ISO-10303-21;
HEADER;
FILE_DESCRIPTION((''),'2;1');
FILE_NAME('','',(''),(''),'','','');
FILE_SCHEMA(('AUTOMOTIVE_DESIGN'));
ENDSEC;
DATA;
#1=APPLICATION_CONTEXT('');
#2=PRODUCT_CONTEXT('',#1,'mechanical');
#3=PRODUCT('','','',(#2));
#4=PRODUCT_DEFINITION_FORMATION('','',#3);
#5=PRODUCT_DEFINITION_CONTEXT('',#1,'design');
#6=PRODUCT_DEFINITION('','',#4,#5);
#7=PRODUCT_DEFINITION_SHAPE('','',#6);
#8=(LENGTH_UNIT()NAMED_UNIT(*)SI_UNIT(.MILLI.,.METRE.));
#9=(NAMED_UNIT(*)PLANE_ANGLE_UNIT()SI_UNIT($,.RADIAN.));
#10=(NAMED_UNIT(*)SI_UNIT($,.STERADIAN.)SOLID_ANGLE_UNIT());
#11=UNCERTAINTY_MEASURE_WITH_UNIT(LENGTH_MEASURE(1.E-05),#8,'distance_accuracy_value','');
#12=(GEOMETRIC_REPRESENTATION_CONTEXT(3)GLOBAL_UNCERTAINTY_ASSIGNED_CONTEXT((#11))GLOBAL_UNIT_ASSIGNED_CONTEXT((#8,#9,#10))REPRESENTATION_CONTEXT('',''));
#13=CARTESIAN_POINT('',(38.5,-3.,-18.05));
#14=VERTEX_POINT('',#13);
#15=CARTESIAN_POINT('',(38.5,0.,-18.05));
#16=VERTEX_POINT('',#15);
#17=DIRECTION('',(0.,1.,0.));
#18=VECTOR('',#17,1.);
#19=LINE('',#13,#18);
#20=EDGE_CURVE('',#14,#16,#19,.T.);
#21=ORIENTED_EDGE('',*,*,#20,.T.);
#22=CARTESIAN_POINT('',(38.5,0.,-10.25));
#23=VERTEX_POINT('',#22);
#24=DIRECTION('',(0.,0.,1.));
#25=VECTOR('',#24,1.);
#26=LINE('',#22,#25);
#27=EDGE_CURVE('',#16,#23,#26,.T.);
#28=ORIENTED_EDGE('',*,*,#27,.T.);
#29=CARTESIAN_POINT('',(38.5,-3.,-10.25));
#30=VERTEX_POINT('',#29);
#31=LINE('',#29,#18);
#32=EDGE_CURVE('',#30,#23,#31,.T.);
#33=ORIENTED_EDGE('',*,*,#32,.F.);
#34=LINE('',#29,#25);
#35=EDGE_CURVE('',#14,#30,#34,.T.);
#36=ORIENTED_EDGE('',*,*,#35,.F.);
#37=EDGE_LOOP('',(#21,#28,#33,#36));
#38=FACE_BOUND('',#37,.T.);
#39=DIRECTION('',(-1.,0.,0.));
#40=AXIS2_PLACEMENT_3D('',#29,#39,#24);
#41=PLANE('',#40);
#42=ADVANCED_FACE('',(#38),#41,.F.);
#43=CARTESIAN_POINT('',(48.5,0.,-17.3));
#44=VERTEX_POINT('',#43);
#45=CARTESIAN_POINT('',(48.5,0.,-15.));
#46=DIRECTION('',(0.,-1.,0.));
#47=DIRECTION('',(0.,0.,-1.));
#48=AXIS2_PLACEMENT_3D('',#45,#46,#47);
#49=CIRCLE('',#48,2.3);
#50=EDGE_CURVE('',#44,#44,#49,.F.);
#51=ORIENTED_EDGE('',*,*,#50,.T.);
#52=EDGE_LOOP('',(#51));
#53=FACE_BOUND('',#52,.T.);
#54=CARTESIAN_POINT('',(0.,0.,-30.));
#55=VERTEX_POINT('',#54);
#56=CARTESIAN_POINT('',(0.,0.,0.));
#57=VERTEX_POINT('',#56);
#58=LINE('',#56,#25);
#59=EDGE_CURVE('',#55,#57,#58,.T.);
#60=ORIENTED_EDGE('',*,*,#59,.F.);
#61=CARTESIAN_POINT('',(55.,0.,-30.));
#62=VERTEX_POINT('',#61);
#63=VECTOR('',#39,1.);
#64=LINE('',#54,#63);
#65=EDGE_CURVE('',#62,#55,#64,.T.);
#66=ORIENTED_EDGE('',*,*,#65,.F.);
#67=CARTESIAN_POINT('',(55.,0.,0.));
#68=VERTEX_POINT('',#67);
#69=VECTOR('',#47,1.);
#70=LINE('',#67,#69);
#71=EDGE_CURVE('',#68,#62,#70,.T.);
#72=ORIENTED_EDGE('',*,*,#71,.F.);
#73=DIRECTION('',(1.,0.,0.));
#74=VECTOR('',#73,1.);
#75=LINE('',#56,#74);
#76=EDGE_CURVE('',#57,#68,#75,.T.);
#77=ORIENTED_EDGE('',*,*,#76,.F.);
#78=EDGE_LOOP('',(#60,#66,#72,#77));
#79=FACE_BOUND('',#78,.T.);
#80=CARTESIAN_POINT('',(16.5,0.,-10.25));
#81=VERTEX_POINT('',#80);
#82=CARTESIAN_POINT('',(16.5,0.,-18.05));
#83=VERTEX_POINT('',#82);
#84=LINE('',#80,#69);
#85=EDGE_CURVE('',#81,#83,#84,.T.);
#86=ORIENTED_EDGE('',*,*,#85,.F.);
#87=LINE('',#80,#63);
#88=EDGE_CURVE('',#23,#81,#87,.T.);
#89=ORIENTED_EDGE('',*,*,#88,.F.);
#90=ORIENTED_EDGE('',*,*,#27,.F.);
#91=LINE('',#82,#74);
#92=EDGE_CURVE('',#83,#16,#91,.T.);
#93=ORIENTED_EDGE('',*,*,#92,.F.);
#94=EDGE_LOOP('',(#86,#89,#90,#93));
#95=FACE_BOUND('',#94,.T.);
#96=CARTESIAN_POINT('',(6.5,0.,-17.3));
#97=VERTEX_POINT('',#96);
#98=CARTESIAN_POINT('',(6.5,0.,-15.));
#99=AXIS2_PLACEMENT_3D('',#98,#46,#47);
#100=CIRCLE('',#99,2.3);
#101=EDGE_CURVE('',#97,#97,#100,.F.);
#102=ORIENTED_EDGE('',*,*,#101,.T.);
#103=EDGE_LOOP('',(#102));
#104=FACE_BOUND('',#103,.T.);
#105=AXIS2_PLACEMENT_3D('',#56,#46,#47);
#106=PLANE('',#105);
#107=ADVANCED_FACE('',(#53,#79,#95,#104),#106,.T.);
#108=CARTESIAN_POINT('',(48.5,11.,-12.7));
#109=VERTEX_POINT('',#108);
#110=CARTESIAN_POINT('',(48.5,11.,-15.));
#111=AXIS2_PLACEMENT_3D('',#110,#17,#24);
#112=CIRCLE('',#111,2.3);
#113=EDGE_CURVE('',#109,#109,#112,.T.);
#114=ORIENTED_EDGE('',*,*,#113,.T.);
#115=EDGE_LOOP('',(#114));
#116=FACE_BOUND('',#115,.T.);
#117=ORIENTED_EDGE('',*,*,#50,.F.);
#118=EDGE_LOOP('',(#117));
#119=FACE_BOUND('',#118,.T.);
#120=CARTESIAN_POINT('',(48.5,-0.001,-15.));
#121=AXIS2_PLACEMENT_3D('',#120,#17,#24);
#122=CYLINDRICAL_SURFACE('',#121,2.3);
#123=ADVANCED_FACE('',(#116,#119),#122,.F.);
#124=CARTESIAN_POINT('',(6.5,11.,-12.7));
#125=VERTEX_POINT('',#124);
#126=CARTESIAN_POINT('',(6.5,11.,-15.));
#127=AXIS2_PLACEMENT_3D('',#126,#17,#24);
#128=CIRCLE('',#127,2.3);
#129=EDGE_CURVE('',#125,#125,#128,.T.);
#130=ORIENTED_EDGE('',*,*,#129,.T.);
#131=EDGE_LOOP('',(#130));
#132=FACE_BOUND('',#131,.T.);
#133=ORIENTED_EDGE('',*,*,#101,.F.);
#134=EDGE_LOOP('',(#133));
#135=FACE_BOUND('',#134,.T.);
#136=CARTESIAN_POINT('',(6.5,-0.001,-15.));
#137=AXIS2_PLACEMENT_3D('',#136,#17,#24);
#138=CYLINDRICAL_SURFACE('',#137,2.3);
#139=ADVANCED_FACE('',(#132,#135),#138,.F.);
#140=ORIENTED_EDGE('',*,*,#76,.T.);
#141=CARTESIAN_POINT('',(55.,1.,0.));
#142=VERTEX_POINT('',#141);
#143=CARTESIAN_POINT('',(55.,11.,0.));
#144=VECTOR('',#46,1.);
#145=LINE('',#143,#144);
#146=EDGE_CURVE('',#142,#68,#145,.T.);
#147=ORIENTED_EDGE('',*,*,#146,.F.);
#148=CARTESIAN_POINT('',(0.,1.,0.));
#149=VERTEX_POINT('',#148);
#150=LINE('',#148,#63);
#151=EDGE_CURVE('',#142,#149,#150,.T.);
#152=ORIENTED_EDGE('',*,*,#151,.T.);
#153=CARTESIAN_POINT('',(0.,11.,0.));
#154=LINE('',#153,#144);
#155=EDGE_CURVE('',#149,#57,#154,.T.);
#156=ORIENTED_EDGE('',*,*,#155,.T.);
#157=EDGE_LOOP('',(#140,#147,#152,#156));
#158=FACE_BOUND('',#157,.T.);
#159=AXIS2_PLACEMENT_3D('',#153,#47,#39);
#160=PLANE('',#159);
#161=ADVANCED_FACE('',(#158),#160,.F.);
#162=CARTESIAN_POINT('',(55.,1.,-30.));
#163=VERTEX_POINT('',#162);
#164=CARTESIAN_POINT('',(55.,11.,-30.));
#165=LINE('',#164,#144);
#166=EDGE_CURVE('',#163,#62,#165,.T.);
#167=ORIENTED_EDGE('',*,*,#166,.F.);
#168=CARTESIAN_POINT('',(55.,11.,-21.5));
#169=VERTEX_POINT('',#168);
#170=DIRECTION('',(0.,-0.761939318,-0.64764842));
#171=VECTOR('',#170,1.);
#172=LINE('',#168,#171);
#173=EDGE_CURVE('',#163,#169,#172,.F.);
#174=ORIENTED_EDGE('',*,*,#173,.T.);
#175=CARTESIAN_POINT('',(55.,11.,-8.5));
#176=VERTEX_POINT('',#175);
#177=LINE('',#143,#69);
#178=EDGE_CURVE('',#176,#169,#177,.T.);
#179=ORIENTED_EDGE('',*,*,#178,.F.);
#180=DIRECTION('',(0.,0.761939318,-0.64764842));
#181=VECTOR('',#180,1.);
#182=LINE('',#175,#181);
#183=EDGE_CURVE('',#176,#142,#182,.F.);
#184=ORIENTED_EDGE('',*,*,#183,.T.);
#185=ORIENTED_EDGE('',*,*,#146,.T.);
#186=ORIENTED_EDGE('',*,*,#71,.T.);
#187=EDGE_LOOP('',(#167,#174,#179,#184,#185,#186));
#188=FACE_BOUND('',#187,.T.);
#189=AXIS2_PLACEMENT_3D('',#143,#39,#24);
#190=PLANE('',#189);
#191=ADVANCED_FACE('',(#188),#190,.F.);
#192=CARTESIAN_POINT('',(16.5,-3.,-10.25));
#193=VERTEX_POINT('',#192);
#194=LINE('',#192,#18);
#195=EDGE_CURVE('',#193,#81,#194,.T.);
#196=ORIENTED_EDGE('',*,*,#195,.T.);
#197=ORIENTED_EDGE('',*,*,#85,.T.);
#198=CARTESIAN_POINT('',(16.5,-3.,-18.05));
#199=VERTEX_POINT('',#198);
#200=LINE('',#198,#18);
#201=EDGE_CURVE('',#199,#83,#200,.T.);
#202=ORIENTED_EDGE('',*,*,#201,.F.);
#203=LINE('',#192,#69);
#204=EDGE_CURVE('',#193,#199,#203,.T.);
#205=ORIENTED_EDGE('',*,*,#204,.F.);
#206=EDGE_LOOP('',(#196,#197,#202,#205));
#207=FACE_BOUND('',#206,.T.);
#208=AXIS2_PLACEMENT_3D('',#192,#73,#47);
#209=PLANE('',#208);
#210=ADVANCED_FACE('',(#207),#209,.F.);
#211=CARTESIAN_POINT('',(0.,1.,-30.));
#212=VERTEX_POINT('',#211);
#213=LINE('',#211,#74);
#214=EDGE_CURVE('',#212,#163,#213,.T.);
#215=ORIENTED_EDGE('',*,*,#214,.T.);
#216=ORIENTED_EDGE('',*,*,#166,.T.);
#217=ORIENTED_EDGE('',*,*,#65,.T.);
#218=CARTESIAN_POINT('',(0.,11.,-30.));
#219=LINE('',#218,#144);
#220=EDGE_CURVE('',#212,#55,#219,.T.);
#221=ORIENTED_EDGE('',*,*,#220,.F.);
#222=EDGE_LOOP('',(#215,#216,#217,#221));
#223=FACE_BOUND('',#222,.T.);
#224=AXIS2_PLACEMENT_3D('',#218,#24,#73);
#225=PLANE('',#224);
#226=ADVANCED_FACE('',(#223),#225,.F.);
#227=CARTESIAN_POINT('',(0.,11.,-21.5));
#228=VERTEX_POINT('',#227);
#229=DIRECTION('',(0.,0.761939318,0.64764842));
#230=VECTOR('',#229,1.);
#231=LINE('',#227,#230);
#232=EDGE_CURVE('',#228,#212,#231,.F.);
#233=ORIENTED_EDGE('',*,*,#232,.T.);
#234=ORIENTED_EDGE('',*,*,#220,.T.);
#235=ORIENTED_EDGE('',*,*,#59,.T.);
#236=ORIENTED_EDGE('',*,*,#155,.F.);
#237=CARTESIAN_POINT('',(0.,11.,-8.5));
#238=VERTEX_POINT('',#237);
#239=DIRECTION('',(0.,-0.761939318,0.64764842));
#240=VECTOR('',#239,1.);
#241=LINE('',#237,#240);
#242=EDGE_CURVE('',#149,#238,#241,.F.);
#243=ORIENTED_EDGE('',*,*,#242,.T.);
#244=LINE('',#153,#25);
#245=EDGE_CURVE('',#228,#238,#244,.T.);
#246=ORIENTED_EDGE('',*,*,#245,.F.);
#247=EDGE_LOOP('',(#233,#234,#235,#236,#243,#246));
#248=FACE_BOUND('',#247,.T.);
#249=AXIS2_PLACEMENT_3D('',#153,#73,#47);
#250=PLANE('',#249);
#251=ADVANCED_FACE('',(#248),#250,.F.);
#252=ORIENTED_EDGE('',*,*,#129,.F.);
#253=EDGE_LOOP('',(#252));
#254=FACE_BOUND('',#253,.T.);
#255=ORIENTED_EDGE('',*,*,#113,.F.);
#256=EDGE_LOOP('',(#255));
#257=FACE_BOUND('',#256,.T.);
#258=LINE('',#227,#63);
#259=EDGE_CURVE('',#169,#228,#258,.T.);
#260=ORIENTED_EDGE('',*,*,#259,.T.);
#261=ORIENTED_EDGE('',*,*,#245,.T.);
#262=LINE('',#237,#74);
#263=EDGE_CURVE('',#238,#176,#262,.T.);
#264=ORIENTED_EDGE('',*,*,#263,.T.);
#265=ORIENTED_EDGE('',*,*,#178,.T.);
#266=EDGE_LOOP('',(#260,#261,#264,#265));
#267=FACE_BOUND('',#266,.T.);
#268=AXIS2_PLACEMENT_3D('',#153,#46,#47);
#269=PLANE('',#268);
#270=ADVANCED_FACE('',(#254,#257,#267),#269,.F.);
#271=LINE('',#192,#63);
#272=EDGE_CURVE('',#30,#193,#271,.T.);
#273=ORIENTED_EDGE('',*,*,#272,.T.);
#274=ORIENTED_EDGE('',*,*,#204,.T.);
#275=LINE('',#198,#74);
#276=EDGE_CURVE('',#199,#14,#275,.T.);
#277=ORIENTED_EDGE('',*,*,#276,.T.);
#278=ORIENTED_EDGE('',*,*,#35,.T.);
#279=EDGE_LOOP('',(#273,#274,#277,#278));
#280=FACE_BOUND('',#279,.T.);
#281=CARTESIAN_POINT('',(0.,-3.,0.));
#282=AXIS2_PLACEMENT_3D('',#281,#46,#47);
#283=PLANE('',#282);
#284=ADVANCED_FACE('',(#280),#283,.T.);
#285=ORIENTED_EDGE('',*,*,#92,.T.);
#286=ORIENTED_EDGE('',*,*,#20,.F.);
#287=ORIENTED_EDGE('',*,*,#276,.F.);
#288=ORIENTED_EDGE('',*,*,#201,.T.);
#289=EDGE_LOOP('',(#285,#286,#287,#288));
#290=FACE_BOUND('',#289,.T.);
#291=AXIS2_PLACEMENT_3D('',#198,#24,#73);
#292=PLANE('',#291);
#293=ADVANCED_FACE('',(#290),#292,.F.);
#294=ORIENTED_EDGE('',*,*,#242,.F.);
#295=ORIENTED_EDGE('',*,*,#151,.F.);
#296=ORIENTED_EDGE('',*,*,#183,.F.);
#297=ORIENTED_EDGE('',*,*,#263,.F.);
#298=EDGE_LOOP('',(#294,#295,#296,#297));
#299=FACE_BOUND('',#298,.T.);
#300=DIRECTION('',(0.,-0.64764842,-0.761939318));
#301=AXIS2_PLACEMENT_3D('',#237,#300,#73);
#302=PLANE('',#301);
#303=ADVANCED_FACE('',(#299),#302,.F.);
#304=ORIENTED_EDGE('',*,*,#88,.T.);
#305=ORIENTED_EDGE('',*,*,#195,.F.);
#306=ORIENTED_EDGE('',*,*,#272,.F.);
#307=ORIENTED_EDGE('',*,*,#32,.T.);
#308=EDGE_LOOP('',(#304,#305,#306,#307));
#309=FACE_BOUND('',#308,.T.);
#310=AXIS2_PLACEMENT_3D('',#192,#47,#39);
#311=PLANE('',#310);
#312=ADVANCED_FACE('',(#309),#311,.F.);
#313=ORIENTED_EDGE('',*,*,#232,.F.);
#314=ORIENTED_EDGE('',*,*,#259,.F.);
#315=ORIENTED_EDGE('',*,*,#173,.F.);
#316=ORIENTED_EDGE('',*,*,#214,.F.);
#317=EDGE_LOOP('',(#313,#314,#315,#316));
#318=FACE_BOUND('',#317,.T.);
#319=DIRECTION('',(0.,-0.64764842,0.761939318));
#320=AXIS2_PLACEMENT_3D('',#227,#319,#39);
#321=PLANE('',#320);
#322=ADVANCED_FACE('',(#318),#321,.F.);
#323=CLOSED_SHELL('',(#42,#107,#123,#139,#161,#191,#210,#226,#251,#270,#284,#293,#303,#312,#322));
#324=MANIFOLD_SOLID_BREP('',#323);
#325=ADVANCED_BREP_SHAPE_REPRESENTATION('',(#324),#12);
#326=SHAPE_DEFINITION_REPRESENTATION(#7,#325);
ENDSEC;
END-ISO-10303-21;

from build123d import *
from OCP.BRepFilletAPI import BRepFilletAPI_MakeChamfer

# Parameters (mm, degrees)
SKETCH2_W           = 55
SKETCH2_H           = 30
BOSS_EXTRUDE1_DEPTH = 11
CHAMFER1_SIZE       = 10
CHAMFER1_SIZE2      = 8.5
CUT_EXTRUDE1_REACH  = 65.608
SKETCH3_R           = 2.3
SKETCH4_W           = 22
SKETCH4_H           = 7.8
BOSS_EXTRUDE2_DEPTH = 3


with BuildPart() as part:
    # Sketch2 → Boss-Extrude1 (new body)
    with BuildSketch(Plane(origin=(0, 0, 0), x_dir=(1, 0, 0), z_dir=(0, 1, 0))):
        with Locations((27.5, 15)):
            Rectangle(SKETCH2_W, SKETCH2_H)
    extrude(amount=BOSS_EXTRUDE1_DEPTH)

    # Chamfer1: one chamfer whose edges measure the first distance from different faces: ONE call of the kernel's chamfer builder (chamfer() names one face for all edges)
    chamfer1_edges_1 = [part.edges().sort_by_distance(p)[0] for p in [
        (27.5, 11, -30),
    ]]
    chamfer1_side_1 = [part.faces().sort_by_distance(p)[0] for p in [
        (27.5, 5.5, -30),
    ]]
    chamfer1_edges_2 = [part.edges().sort_by_distance(p)[0] for p in [
        (27.5, 11, 0),
    ]]
    chamfer1_side_2 = [part.faces().sort_by_distance(p)[0] for p in [
        (27.5, 5.5, 0),
    ]]
    chamfer1 = BRepFilletAPI_MakeChamfer(part.part.solid().wrapped)
    for e in chamfer1_edges_1:
        chamfer1.Add(CHAMFER1_SIZE, CHAMFER1_SIZE2, e.wrapped, chamfer1_side_1[0].wrapped)  # the first distance lies on this face
    for e in chamfer1_edges_2:
        chamfer1.Add(CHAMFER1_SIZE, CHAMFER1_SIZE2, e.wrapped, chamfer1_side_2[0].wrapped)  # the first distance lies on this face
    add(Compound.cast(chamfer1.Shape()), mode=Mode.REPLACE)

    # Sketch3 → Cut-Extrude1 (cut, up to next)
    with BuildSketch(Plane(origin=(0, 11, 0), x_dir=(1, 0, 0), z_dir=(0, 1, 0)), mode=Mode.PRIVATE) as cut_extrude1_sk1:
        with Locations(Location((6.5, 15, 0), (0, 0, 270))):
            Circle(SKETCH3_R)
    cut_extrude1_tool1 = extrude(cut_extrude1_sk1.sketch, amount=-CUT_EXTRUDE1_REACH, mode=Mode.PRIVATE) & part.part
    # Sketch3 → Cut-Extrude1 (cut, up to next)
    with BuildSketch(Plane(origin=(0, 11, 0), x_dir=(1, 0, 0), z_dir=(0, 1, 0)), mode=Mode.PRIVATE) as cut_extrude1_sk2:
        with Locations(Location((48.5, 15, 0), (0, 0, 270))):
            Circle(SKETCH3_R)
    cut_extrude1_tool2 = extrude(cut_extrude1_sk2.sketch, amount=-CUT_EXTRUDE1_REACH, mode=Mode.PRIVATE) & part.part
    add(cut_extrude1_tool1.solids().sort_by_distance((6.5, 11, -15))[0], mode=Mode.SUBTRACT)
    add(cut_extrude1_tool2.solids().sort_by_distance((48.5, 11, -15))[0], mode=Mode.SUBTRACT)

    # Sketch4 → Boss-Extrude2 (add)
    with BuildSketch(Plane.XZ):
        with Locations((27.5, -14.15)):
            Rectangle(SKETCH4_W, SKETCH4_H)
    extrude(amount=BOSS_EXTRUDE2_DEPTH)


solid = part.part
